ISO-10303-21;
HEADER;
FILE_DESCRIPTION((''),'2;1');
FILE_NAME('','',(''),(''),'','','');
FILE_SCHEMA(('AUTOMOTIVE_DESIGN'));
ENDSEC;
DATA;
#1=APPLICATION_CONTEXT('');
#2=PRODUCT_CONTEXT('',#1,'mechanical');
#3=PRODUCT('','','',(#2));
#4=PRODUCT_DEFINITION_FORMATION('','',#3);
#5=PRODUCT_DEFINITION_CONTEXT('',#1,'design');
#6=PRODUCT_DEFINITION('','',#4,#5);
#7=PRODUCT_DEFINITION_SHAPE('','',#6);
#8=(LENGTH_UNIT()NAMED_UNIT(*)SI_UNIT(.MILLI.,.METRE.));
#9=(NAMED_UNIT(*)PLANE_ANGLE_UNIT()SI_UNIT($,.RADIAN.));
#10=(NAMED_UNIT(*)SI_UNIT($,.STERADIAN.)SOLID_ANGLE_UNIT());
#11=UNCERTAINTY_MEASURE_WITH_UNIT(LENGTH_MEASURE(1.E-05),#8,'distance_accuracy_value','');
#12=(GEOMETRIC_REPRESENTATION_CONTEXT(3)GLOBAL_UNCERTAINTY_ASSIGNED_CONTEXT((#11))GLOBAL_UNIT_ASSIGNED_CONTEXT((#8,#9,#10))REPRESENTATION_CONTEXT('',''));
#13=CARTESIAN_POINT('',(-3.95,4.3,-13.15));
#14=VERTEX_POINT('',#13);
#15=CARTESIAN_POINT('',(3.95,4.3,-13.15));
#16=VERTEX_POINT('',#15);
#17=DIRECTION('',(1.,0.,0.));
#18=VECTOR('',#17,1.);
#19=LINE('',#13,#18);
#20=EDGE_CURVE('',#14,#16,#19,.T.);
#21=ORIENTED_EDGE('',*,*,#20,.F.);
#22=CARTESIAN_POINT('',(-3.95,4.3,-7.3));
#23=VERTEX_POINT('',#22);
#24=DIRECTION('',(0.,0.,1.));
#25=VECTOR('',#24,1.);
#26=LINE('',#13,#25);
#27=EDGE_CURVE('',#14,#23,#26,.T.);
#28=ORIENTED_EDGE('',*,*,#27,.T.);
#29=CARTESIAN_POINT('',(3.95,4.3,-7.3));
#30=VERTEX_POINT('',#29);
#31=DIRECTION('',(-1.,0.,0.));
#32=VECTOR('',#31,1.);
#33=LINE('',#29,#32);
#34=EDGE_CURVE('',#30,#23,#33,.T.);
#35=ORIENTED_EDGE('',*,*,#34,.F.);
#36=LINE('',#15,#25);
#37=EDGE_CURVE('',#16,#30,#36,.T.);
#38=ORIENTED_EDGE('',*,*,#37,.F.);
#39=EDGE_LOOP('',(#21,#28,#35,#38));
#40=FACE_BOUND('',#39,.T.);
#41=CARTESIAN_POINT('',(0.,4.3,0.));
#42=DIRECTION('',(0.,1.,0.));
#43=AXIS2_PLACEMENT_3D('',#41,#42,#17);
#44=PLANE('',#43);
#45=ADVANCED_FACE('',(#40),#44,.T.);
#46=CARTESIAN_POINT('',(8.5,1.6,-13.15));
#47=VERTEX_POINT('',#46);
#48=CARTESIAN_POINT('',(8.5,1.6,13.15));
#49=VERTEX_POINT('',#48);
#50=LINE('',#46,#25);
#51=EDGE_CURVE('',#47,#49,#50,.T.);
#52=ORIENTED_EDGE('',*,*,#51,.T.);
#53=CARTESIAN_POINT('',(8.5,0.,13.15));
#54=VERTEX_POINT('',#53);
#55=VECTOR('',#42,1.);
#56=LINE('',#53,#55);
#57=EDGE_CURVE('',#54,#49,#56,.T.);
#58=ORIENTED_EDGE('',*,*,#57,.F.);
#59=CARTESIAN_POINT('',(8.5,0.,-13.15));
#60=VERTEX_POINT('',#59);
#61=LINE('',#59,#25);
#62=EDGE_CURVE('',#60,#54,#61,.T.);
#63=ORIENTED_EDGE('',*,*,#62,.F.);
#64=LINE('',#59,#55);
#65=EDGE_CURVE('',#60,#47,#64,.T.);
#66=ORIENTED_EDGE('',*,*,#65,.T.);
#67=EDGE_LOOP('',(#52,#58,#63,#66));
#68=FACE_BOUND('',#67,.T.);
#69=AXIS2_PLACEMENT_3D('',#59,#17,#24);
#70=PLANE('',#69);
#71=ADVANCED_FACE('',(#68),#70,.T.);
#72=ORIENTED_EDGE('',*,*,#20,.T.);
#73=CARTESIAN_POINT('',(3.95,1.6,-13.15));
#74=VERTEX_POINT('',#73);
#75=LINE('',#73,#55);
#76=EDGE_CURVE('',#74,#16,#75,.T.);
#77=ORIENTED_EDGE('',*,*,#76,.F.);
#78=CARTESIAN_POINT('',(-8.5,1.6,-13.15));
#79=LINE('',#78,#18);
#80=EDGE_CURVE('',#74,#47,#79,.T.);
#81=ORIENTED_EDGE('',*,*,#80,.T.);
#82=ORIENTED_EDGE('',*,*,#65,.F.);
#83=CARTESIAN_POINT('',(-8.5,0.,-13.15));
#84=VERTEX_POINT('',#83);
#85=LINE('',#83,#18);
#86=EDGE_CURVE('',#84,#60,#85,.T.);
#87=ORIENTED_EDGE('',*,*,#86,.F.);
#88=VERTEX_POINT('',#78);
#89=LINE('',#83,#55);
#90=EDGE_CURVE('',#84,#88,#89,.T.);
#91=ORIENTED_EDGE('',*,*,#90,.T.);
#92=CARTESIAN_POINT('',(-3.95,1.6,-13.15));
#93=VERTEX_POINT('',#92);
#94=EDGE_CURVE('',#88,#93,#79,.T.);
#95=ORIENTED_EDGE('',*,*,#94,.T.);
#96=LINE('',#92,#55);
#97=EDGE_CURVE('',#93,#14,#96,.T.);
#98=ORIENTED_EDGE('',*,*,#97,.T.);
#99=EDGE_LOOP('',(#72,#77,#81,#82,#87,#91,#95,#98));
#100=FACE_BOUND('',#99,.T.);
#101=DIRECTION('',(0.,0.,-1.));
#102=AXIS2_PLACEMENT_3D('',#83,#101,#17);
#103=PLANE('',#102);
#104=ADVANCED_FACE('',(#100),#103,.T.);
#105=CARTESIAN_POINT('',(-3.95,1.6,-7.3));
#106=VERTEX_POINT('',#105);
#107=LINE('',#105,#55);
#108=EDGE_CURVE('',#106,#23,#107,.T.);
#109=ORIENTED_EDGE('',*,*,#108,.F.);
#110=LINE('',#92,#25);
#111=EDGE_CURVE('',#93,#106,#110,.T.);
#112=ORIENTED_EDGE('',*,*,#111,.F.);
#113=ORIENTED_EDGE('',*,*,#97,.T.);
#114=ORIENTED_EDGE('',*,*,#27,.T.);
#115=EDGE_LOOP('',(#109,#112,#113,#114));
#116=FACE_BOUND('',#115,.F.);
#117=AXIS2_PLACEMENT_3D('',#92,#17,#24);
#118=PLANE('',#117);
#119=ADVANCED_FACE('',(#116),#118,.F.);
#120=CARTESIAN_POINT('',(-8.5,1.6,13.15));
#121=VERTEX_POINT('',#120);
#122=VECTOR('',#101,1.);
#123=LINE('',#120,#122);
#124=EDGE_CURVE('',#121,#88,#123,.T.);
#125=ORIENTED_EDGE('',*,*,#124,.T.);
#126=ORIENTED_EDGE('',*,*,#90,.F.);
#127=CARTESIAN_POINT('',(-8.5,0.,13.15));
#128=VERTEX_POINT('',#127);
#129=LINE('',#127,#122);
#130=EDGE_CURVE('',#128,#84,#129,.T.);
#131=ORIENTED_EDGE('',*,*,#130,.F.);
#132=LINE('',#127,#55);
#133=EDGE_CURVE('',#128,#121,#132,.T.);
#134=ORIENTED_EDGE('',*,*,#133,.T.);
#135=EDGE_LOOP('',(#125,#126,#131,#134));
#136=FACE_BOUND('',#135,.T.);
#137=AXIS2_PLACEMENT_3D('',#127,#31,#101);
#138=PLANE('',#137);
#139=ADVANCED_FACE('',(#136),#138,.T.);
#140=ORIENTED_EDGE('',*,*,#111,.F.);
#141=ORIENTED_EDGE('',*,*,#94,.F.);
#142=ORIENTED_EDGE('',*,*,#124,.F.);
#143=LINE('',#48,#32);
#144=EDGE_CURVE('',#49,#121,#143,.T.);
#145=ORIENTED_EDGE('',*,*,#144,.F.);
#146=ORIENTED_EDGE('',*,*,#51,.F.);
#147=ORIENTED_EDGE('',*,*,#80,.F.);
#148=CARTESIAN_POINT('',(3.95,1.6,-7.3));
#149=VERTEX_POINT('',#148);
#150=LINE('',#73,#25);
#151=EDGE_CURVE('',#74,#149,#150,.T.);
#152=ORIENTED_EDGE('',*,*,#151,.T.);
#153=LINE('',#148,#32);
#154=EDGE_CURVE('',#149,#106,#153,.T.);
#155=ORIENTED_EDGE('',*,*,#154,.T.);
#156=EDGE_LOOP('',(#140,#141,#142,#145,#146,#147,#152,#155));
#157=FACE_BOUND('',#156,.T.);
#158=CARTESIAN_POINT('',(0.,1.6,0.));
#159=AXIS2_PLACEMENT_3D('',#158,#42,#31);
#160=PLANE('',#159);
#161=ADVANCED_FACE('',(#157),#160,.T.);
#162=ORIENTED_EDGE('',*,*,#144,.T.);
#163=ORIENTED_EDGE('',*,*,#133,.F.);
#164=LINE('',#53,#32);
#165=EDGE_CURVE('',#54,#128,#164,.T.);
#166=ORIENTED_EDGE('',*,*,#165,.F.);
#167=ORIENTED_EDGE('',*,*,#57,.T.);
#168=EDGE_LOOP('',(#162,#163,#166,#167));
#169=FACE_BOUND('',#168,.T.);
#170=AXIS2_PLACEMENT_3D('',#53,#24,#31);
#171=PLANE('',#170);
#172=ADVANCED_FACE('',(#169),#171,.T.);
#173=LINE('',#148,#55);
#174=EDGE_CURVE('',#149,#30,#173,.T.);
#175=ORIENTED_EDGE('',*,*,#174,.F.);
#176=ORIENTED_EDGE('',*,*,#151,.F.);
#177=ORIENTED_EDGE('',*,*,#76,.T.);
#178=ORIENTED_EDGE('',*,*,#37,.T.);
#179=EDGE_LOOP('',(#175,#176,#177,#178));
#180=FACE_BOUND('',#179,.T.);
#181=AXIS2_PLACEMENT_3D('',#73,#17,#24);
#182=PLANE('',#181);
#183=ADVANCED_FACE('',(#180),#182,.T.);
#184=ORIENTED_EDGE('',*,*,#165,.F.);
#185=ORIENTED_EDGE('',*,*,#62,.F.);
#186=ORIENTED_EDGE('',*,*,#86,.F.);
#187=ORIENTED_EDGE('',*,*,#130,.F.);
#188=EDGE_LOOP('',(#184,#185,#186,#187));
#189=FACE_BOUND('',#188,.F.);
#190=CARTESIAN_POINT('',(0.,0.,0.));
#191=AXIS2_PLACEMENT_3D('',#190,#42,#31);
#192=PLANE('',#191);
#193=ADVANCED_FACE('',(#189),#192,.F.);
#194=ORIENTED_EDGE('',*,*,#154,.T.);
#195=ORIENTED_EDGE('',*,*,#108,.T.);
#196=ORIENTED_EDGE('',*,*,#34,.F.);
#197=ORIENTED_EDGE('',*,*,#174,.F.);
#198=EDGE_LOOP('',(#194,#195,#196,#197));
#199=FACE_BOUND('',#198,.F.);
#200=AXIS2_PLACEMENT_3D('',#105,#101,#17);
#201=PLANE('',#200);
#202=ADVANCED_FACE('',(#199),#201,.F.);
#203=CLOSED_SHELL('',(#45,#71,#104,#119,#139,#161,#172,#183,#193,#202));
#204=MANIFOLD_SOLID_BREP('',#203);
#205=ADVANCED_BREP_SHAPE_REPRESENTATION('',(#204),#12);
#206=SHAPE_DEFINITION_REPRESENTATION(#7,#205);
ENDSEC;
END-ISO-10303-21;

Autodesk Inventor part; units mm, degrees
ref_plane "XZ Plane" through (0, 0, 0) normal (0, 1, 0) x (-1, 0, 0)
ref_plane "XY Plane" through (0, 0, 0) normal (0, 0, 1) x (1, 0, 0)
sketch "Sketch1" plane through (0, 0, 0) normal (0, 1, 0) x (-1, 0, 0)
  line L0 (-8.5, 13.15) -> (8.5, 13.15)
  line L1 (8.5, 13.15) -> (8.5, -13.15)
  line L2 (8.5, -13.15) -> (-8.5, -13.15)
  line L3 (-8.5, -13.15) -> (-8.5, 13.15)
  line L4 (-8.5, 13.15) -> (8.5, -13.15) construction
  line L5 (8.5, 13.15) -> (-8.5, -13.15) construction
  point P0 (0, 0)
  dimension "d0" = 17
  dimension "d1" = 26.3
extrude "Extrusion1" add sketch "Sketch1" along normal blind 1.6
sketch "Sketch3" plane through (0, 1.6, 0) normal (0, 1, 0) x (1, 0, 0)
  line L0 (8.5, 13.15) -> (-8.5, 13.15) construction
  line L1 (0, 13.15) -> (0, 0) construction
  line L2 (-3.95, 13.15) -> (-3.95, 7.3)
  line L3 (-3.95, 7.3) -> (0, 7.3)
  line L4 (-3.95, 13.15) -> (0, 13.15)
  line L5 (3.95, 13.15) -> (3.95, 7.3)
  line L6 (3.95, 7.3) -> (0, 7.3)
  line L7 (3.95, 13.15) -> (0, 13.15)
  dimension "d5" = 5.85
  dimension "d6" = 3.95
extrude "Extrusion2" add sketch "Sketch3" along normal blind 2.7
properties part number "Wavgat_Battery_Charger"
